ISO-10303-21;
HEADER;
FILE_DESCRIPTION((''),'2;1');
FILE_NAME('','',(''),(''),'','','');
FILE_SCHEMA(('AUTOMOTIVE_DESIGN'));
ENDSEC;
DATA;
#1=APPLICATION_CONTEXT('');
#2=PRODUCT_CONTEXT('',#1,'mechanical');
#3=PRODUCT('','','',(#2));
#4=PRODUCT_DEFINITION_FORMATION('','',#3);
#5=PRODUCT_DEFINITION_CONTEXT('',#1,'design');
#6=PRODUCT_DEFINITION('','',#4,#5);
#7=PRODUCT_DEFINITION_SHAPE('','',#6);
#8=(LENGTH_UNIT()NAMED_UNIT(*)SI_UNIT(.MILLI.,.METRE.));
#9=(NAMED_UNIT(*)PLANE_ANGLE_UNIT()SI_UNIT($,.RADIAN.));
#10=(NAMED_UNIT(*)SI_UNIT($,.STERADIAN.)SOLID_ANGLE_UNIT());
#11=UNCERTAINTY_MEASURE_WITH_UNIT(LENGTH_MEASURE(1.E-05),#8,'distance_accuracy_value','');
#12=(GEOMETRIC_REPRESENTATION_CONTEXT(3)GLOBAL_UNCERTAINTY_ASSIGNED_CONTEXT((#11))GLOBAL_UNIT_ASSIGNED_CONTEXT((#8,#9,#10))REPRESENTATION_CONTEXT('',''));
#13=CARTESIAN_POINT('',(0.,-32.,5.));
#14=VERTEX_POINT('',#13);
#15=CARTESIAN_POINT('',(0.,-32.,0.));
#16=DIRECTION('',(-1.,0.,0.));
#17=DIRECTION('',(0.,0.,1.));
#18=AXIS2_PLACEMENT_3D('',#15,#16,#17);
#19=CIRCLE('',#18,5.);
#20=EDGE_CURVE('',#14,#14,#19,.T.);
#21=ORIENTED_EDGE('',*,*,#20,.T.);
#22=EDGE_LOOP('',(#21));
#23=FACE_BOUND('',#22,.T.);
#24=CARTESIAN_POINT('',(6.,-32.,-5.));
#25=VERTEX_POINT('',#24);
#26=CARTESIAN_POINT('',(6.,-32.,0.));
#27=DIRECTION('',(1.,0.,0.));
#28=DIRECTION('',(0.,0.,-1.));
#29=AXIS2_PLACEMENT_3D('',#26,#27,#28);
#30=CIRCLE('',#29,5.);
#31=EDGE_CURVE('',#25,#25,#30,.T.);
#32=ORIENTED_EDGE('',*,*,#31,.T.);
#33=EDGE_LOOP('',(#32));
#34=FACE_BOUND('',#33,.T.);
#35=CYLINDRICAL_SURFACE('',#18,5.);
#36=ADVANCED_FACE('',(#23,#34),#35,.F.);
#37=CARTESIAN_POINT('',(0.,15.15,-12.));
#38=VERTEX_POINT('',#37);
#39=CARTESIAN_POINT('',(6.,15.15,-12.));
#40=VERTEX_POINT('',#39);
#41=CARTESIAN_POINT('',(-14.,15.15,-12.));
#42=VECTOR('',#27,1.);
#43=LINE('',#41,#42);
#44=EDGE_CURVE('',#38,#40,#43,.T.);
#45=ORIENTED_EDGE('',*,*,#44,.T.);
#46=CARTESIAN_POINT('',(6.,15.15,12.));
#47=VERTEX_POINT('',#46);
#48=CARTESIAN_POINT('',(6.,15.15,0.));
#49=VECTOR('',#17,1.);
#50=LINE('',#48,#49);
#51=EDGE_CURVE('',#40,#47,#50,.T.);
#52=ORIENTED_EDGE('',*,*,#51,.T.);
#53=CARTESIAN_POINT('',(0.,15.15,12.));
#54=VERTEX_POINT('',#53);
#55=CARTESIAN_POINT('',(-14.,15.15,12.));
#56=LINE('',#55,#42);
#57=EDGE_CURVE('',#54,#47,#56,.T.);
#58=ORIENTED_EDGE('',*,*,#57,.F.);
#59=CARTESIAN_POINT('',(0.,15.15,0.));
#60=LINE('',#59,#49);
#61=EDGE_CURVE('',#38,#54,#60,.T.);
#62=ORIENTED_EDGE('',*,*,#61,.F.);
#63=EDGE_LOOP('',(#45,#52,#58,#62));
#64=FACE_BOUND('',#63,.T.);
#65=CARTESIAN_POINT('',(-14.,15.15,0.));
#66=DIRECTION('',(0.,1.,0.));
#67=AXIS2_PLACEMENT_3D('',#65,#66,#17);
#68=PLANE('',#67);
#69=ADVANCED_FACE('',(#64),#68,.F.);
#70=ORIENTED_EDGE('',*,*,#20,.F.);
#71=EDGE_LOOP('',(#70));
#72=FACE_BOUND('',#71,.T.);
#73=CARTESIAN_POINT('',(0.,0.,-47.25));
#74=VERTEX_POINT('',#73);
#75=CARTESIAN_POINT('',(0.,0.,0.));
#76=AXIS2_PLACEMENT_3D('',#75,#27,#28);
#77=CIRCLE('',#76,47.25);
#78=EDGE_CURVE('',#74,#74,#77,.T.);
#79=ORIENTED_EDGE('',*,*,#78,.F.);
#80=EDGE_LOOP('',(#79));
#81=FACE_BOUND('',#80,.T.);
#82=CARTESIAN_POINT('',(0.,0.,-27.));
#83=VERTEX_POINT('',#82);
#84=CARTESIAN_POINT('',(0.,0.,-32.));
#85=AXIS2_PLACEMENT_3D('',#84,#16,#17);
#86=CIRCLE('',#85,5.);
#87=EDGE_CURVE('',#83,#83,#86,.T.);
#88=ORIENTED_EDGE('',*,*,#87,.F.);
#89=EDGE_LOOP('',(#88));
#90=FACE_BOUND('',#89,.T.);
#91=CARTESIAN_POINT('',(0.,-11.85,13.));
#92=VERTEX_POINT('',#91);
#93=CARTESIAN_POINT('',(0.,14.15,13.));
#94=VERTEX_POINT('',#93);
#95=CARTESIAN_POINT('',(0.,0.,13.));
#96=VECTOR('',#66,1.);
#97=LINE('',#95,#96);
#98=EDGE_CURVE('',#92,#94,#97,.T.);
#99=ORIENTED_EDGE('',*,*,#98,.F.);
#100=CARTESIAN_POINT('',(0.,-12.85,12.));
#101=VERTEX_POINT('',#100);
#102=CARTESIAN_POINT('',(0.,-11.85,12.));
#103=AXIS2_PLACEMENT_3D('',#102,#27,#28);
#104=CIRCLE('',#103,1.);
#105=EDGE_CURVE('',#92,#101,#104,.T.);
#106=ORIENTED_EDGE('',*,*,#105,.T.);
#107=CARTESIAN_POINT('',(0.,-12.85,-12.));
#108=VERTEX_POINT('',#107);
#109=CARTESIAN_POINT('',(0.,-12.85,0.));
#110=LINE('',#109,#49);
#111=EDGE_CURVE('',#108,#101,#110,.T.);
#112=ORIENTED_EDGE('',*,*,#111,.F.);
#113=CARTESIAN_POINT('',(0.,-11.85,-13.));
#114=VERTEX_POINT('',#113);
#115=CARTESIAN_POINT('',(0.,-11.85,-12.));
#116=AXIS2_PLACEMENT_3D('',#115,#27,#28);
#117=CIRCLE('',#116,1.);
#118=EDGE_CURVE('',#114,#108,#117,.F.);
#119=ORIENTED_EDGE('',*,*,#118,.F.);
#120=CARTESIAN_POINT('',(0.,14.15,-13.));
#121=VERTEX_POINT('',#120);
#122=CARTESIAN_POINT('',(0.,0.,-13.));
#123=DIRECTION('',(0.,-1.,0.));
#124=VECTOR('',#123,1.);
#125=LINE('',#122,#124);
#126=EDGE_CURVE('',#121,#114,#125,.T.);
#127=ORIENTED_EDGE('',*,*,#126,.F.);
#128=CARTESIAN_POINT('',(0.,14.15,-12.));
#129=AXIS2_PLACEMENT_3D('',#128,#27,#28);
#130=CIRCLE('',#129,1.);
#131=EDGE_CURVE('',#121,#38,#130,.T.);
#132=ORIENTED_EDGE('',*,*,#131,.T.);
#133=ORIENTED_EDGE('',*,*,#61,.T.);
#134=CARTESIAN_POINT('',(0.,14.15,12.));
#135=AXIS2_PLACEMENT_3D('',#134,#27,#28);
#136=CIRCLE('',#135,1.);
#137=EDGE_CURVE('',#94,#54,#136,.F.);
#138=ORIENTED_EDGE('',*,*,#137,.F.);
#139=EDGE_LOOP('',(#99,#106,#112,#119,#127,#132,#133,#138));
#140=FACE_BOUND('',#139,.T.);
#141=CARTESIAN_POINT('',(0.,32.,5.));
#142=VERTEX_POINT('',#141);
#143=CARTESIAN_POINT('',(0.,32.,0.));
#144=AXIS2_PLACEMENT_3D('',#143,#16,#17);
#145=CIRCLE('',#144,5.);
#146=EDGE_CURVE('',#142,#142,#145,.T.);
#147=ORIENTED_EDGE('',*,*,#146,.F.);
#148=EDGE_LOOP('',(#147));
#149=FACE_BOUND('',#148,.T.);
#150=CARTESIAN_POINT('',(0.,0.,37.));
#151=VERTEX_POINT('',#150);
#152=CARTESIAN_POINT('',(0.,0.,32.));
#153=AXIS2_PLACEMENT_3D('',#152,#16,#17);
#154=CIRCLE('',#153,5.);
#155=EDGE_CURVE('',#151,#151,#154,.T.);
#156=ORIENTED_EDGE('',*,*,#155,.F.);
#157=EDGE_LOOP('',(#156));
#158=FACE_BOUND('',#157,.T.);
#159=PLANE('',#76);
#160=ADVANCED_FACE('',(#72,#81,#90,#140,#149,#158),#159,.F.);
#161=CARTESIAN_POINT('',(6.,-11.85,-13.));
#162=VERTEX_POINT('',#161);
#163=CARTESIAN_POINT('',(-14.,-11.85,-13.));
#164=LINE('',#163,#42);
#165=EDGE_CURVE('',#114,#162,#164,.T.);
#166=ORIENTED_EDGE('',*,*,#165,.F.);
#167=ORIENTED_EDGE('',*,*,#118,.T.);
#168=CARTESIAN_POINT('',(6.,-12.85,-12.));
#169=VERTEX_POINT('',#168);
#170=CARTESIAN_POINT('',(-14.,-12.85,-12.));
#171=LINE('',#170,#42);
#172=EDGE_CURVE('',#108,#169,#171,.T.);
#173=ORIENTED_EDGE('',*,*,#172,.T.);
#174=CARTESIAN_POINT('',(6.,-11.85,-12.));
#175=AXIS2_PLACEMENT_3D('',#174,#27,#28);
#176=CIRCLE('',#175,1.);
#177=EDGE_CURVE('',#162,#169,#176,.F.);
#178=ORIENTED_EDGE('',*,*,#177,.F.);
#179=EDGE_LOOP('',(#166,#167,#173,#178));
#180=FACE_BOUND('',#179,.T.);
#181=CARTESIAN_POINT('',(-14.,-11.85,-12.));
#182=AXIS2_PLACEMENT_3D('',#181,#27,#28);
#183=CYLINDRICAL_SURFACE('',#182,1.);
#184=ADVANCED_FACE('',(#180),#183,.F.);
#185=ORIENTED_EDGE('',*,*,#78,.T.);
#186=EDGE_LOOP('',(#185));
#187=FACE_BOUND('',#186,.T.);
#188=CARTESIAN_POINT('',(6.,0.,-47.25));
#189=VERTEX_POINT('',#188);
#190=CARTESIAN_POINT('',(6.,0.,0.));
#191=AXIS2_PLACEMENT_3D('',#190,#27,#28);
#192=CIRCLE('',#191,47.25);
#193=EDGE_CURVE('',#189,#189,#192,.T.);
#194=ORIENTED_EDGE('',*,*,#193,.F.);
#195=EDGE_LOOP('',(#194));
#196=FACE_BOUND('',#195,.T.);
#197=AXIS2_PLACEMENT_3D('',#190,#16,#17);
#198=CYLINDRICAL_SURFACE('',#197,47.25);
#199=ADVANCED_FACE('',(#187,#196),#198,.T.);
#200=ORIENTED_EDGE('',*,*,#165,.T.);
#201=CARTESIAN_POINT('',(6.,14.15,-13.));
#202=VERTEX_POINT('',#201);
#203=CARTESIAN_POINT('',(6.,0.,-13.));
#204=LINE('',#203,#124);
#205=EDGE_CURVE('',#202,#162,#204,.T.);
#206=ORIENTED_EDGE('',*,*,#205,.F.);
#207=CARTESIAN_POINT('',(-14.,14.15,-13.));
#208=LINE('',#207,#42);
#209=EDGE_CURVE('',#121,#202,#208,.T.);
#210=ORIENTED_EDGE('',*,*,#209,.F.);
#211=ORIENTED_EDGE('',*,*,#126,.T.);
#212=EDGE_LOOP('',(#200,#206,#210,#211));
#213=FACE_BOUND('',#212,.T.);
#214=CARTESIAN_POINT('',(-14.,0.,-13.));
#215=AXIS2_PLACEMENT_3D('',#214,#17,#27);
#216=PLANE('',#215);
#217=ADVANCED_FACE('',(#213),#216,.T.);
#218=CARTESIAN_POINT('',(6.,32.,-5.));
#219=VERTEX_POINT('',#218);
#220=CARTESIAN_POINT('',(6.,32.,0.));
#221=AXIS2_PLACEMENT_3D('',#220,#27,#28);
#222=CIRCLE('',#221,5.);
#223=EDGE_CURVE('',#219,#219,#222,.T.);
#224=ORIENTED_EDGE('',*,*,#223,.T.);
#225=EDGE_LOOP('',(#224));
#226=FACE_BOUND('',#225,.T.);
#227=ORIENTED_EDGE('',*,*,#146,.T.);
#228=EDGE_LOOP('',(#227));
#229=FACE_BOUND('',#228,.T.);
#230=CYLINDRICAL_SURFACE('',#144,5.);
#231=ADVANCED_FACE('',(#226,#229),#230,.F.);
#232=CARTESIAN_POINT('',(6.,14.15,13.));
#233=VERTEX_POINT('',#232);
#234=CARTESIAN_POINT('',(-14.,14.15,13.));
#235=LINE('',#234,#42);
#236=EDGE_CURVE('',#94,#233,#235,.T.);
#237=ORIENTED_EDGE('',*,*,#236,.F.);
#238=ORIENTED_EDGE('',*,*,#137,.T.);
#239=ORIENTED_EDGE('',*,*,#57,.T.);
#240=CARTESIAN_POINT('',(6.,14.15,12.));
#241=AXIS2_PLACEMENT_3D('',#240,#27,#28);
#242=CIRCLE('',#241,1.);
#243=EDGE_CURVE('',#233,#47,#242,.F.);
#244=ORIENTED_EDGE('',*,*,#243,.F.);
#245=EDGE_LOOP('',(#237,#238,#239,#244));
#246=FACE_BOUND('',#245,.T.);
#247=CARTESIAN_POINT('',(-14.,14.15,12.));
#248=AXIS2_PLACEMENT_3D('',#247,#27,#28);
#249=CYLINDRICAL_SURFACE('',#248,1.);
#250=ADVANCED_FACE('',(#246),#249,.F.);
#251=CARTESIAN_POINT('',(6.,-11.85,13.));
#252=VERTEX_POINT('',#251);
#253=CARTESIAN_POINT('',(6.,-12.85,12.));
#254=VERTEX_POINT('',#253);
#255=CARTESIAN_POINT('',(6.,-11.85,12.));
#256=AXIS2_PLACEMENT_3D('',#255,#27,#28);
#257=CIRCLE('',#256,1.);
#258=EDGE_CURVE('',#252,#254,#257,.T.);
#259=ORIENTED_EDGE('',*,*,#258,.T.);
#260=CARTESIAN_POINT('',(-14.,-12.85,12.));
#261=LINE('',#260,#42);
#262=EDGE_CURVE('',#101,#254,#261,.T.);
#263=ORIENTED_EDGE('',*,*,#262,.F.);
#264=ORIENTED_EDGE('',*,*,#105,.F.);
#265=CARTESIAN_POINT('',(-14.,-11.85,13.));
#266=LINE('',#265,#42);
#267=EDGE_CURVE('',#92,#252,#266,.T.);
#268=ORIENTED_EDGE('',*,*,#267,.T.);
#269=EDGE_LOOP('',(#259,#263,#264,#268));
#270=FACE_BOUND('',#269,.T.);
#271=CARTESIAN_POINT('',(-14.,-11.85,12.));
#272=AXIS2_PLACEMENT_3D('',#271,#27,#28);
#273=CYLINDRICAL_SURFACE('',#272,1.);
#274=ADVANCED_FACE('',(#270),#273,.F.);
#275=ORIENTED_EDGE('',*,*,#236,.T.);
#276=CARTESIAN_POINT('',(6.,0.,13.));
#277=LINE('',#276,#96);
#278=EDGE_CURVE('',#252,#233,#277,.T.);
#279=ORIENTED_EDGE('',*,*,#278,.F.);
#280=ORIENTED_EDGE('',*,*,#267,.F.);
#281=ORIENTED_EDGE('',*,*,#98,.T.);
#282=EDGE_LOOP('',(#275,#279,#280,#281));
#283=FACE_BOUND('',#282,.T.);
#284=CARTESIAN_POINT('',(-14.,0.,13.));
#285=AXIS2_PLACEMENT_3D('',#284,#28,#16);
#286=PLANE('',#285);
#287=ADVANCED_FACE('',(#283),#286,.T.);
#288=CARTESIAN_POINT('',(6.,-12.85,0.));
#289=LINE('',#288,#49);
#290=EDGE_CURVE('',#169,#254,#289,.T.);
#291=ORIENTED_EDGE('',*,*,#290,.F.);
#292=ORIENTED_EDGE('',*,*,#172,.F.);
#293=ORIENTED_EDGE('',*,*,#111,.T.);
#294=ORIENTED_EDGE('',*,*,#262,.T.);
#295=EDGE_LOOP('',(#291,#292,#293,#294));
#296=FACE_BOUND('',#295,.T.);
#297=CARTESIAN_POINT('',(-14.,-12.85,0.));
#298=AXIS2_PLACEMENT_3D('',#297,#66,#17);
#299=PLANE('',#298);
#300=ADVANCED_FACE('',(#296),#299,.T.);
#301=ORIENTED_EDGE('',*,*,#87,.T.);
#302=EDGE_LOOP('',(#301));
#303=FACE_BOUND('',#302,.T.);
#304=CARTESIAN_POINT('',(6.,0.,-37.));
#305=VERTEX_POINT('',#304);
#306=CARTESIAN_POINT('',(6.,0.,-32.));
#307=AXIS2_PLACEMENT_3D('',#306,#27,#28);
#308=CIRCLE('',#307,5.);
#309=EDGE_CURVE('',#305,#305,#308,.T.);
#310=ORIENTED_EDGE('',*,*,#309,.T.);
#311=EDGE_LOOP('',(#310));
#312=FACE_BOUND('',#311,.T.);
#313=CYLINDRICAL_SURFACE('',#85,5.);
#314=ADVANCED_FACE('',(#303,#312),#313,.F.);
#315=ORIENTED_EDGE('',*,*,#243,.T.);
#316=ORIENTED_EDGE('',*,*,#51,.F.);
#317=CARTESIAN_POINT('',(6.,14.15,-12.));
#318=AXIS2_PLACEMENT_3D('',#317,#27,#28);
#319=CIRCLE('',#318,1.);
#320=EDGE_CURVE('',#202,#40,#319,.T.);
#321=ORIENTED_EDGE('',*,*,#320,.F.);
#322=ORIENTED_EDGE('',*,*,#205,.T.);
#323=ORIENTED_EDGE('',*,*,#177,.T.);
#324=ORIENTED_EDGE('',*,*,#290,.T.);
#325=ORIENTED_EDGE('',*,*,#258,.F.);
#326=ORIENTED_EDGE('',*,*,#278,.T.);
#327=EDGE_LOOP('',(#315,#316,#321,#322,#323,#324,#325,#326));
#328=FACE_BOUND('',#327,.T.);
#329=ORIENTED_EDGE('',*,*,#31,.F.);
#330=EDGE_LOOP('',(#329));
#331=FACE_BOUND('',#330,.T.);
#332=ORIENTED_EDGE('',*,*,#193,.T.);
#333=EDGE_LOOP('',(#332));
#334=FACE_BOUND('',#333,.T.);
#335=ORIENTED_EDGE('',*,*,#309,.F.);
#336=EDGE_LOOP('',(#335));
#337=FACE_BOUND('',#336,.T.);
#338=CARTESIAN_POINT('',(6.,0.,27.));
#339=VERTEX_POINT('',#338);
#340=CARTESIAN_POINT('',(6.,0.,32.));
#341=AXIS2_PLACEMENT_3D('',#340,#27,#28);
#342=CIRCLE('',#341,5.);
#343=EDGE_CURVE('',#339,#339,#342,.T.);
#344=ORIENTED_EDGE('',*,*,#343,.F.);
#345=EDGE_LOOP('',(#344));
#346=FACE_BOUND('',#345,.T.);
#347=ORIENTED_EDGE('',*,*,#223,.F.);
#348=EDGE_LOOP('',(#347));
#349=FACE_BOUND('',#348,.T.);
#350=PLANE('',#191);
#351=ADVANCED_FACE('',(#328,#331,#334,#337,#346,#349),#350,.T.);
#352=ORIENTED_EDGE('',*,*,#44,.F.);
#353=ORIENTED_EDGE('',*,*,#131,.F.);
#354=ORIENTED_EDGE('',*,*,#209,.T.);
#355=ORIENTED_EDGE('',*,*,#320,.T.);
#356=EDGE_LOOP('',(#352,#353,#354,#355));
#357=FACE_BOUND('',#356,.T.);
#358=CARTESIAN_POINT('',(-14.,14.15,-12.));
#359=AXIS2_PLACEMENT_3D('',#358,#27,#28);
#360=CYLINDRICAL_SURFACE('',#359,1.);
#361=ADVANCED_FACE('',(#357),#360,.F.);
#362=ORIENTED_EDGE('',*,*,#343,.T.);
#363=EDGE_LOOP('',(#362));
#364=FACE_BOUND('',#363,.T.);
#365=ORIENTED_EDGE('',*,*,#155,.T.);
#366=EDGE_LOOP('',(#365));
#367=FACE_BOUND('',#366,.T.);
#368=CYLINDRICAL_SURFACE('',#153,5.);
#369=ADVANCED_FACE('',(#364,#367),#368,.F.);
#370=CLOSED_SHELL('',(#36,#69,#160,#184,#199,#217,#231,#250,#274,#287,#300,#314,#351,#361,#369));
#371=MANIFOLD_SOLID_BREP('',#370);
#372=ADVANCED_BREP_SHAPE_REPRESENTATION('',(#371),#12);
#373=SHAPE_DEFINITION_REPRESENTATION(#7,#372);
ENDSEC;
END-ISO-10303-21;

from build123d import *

# Parameters (mm, degrees)
SKETCH1_R                                           = 47.25
BOSS_EXTRUDE1_DEPTH                                 = 6
CUT_EXTRUDE1_DEPTH                                  = 20
CBORE_FOR_M5_HEX_SOCKET_HEAD_CAP_SCREW2_D           = 5.3
CBORE_FOR_M5_HEX_SOCKET_HEAD_CAP_SCREW2_DEPTH       = 20
CBORE_FOR_M5_HEX_SOCKET_HEAD_CAP_SCREW2_CBORE_D     = 10
CBORE_FOR_M5_HEX_SOCKET_HEAD_CAP_SCREW2_CBORE_DEPTH = 15.4
CBORE_FOR_M5_HEX_SOCKET_HEAD_CAP_SCREW2_TIP         = 1.59228064


with BuildPart() as part:
    # Sketch1 → Boss-Extrude1 (new body)
    with BuildSketch(Plane(origin=(0, 0, 0), x_dir=(0, 0, -1), z_dir=(1, 0, 0))):
        Circle(SKETCH1_R)
    extrude(amount=BOSS_EXTRUDE1_DEPTH)

    # Sketch2 → Cut-Extrude1 (cut)
    with BuildSketch(Plane(origin=(6, 0, 0), x_dir=(0, 0, -1), z_dir=(1, 0, 0))):
        with BuildLine():
            Line((-12, -12.85), (12, -12.85))
            ThreePointArc((12, -12.85), (12.707106781, -12.557106781), (13, -11.85))
            Line((13, -11.85), (13, 14.15))
            ThreePointArc((13, 14.15), (12.707106781, 14.857106781), (12, 15.15))
            Line((12, 15.15), (-12, 15.15))
            ThreePointArc((-12, 15.15), (-12.707106781, 14.857106781), (-13, 14.15))
            Line((-13, 14.15), (-13, -11.85))
            ThreePointArc((-13, -11.85), (-12.707106781, -12.557106781), (-12, -12.85))
        make_face()
    extrude(amount=-CUT_EXTRUDE1_DEPTH, mode=Mode.SUBTRACT)

    # CBORE for M5 Hex Socket Head Cap Screw2
    with Locations(Plane.ZY):
        with Locations((-32, 0), (0, 32), (32, 0), (0, -32)):
            CounterBoreHole(CBORE_FOR_M5_HEX_SOCKET_HEAD_CAP_SCREW2_D / 2, CBORE_FOR_M5_HEX_SOCKET_HEAD_CAP_SCREW2_CBORE_D / 2, CBORE_FOR_M5_HEX_SOCKET_HEAD_CAP_SCREW2_CBORE_DEPTH, depth=CBORE_FOR_M5_HEX_SOCKET_HEAD_CAP_SCREW2_DEPTH)
            with Locations((0, 0, -(CBORE_FOR_M5_HEX_SOCKET_HEAD_CAP_SCREW2_DEPTH + CBORE_FOR_M5_HEX_SOCKET_HEAD_CAP_SCREW2_TIP / 2))):  # 118° drill point
                Cone(0, CBORE_FOR_M5_HEX_SOCKET_HEAD_CAP_SCREW2_D / 2, CBORE_FOR_M5_HEX_SOCKET_HEAD_CAP_SCREW2_TIP, mode=Mode.SUBTRACT)


solid = part.part
